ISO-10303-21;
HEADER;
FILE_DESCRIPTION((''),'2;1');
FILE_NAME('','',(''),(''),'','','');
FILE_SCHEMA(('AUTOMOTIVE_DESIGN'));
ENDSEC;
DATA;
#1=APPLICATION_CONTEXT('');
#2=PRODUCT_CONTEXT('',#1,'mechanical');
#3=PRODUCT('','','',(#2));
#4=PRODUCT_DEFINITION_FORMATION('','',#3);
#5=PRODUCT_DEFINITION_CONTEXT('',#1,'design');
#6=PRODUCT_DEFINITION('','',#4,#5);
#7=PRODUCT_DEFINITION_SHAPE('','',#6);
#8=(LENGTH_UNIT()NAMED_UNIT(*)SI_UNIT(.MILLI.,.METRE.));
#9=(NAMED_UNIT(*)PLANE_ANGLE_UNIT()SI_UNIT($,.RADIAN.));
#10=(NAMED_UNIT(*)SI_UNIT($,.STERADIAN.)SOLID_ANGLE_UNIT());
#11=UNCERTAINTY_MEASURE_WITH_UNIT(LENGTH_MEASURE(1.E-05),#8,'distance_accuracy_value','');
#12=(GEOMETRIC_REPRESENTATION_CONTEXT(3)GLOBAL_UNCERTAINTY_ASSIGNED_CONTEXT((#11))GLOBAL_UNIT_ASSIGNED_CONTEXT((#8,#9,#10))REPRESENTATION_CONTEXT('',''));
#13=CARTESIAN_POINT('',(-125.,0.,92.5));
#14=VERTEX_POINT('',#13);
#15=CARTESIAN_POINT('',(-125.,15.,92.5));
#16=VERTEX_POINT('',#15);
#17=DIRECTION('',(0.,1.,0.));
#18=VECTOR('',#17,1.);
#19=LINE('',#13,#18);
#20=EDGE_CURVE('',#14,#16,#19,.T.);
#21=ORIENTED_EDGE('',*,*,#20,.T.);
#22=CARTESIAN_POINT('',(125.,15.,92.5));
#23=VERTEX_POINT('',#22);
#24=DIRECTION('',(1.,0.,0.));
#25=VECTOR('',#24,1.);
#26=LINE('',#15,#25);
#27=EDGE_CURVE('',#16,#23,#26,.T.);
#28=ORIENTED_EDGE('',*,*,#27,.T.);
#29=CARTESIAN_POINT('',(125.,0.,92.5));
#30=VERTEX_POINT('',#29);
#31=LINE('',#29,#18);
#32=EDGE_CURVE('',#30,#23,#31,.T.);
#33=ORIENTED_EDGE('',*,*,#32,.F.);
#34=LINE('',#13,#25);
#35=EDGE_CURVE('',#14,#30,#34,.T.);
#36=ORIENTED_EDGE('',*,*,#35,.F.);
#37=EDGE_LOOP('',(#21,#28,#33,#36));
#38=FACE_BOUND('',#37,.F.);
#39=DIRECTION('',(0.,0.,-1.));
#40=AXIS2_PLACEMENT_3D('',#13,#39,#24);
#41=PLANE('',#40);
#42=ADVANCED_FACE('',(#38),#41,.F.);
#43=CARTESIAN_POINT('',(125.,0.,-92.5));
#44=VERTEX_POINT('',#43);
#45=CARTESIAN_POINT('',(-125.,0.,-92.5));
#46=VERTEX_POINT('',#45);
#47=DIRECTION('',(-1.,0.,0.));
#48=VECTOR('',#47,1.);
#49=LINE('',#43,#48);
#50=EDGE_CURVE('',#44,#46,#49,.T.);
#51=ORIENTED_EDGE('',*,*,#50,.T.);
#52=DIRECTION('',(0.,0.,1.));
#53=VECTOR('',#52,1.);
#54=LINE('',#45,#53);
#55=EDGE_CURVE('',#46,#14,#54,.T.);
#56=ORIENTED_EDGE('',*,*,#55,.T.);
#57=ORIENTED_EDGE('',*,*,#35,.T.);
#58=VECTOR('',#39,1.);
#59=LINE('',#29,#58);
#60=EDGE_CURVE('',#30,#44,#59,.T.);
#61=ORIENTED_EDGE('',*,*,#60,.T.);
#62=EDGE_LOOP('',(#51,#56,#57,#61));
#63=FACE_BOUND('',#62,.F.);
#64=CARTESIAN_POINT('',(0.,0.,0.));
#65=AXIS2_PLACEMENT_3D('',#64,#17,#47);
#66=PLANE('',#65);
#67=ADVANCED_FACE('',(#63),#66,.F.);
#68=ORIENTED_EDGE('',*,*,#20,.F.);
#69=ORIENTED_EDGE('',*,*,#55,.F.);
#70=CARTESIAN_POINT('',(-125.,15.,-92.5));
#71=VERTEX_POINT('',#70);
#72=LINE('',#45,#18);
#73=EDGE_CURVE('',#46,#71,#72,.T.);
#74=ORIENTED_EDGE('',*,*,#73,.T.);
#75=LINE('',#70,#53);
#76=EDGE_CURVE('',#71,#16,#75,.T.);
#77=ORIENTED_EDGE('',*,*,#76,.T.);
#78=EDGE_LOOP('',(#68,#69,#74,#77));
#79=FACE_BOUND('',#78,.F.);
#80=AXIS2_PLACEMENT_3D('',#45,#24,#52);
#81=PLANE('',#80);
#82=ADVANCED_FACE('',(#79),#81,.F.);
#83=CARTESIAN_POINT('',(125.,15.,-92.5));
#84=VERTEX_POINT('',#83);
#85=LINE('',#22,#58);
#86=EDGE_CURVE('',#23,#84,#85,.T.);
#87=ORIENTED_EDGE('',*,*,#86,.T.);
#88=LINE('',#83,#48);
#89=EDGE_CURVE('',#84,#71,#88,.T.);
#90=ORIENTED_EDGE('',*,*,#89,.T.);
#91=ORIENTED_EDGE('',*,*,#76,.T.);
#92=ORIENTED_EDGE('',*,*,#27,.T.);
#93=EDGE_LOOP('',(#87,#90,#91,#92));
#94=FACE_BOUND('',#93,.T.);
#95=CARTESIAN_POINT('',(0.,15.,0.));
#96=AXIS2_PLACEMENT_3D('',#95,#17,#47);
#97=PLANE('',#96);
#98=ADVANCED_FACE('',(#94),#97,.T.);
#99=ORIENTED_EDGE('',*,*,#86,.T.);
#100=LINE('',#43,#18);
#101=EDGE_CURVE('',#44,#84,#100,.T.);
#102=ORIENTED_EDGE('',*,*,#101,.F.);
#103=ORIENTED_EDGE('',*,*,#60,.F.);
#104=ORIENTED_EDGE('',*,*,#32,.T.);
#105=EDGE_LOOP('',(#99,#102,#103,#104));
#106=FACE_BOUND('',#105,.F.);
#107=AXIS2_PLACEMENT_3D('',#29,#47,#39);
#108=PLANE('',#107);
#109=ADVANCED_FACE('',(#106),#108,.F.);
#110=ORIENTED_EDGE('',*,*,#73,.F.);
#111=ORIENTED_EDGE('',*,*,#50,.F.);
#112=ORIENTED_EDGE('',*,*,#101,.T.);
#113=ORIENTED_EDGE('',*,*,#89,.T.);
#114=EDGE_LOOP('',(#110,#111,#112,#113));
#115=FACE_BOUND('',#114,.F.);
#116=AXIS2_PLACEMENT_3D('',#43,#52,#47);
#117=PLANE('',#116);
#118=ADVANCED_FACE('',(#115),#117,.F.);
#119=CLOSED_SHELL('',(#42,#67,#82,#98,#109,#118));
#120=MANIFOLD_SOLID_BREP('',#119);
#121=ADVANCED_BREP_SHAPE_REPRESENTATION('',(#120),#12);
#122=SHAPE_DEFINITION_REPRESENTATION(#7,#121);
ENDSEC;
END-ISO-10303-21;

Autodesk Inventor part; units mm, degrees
ref_plane "YZ Plane" through (0, 0, 0) normal (1, 0, 0) x (0, 1, 0)
ref_plane "XZ Plane" through (0, 0, 0) normal (0, 1, 0) x (-1, 0, 0)
ref_plane "XY Plane" through (0, 0, 0) normal (0, 0, 1) x (1, 0, 0)
sketch "Sketch1" plane through (0, 0, 0) normal (0, 1, 0) x (-1, 0, 0)
  line L0 (125, 92.5) -> (-125, 92.5)
  line L1 (-125, 92.5) -> (-125, -92.5)
  line L2 (-125, -92.5) -> (125, -92.5)
  line L3 (125, -92.5) -> (125, 92.5)
  line L4 (125, 92.5) -> (-125, -92.5) construction
  line L5 (-125, 92.5) -> (125, -92.5) construction
  point P0 (0, 0)
  dimension "d0" = 250
  dimension "d1" = 185
extrude "Extrusion1" add sketch "Sketch1" along normal blind 15
properties part number "Kuka_base_main"
